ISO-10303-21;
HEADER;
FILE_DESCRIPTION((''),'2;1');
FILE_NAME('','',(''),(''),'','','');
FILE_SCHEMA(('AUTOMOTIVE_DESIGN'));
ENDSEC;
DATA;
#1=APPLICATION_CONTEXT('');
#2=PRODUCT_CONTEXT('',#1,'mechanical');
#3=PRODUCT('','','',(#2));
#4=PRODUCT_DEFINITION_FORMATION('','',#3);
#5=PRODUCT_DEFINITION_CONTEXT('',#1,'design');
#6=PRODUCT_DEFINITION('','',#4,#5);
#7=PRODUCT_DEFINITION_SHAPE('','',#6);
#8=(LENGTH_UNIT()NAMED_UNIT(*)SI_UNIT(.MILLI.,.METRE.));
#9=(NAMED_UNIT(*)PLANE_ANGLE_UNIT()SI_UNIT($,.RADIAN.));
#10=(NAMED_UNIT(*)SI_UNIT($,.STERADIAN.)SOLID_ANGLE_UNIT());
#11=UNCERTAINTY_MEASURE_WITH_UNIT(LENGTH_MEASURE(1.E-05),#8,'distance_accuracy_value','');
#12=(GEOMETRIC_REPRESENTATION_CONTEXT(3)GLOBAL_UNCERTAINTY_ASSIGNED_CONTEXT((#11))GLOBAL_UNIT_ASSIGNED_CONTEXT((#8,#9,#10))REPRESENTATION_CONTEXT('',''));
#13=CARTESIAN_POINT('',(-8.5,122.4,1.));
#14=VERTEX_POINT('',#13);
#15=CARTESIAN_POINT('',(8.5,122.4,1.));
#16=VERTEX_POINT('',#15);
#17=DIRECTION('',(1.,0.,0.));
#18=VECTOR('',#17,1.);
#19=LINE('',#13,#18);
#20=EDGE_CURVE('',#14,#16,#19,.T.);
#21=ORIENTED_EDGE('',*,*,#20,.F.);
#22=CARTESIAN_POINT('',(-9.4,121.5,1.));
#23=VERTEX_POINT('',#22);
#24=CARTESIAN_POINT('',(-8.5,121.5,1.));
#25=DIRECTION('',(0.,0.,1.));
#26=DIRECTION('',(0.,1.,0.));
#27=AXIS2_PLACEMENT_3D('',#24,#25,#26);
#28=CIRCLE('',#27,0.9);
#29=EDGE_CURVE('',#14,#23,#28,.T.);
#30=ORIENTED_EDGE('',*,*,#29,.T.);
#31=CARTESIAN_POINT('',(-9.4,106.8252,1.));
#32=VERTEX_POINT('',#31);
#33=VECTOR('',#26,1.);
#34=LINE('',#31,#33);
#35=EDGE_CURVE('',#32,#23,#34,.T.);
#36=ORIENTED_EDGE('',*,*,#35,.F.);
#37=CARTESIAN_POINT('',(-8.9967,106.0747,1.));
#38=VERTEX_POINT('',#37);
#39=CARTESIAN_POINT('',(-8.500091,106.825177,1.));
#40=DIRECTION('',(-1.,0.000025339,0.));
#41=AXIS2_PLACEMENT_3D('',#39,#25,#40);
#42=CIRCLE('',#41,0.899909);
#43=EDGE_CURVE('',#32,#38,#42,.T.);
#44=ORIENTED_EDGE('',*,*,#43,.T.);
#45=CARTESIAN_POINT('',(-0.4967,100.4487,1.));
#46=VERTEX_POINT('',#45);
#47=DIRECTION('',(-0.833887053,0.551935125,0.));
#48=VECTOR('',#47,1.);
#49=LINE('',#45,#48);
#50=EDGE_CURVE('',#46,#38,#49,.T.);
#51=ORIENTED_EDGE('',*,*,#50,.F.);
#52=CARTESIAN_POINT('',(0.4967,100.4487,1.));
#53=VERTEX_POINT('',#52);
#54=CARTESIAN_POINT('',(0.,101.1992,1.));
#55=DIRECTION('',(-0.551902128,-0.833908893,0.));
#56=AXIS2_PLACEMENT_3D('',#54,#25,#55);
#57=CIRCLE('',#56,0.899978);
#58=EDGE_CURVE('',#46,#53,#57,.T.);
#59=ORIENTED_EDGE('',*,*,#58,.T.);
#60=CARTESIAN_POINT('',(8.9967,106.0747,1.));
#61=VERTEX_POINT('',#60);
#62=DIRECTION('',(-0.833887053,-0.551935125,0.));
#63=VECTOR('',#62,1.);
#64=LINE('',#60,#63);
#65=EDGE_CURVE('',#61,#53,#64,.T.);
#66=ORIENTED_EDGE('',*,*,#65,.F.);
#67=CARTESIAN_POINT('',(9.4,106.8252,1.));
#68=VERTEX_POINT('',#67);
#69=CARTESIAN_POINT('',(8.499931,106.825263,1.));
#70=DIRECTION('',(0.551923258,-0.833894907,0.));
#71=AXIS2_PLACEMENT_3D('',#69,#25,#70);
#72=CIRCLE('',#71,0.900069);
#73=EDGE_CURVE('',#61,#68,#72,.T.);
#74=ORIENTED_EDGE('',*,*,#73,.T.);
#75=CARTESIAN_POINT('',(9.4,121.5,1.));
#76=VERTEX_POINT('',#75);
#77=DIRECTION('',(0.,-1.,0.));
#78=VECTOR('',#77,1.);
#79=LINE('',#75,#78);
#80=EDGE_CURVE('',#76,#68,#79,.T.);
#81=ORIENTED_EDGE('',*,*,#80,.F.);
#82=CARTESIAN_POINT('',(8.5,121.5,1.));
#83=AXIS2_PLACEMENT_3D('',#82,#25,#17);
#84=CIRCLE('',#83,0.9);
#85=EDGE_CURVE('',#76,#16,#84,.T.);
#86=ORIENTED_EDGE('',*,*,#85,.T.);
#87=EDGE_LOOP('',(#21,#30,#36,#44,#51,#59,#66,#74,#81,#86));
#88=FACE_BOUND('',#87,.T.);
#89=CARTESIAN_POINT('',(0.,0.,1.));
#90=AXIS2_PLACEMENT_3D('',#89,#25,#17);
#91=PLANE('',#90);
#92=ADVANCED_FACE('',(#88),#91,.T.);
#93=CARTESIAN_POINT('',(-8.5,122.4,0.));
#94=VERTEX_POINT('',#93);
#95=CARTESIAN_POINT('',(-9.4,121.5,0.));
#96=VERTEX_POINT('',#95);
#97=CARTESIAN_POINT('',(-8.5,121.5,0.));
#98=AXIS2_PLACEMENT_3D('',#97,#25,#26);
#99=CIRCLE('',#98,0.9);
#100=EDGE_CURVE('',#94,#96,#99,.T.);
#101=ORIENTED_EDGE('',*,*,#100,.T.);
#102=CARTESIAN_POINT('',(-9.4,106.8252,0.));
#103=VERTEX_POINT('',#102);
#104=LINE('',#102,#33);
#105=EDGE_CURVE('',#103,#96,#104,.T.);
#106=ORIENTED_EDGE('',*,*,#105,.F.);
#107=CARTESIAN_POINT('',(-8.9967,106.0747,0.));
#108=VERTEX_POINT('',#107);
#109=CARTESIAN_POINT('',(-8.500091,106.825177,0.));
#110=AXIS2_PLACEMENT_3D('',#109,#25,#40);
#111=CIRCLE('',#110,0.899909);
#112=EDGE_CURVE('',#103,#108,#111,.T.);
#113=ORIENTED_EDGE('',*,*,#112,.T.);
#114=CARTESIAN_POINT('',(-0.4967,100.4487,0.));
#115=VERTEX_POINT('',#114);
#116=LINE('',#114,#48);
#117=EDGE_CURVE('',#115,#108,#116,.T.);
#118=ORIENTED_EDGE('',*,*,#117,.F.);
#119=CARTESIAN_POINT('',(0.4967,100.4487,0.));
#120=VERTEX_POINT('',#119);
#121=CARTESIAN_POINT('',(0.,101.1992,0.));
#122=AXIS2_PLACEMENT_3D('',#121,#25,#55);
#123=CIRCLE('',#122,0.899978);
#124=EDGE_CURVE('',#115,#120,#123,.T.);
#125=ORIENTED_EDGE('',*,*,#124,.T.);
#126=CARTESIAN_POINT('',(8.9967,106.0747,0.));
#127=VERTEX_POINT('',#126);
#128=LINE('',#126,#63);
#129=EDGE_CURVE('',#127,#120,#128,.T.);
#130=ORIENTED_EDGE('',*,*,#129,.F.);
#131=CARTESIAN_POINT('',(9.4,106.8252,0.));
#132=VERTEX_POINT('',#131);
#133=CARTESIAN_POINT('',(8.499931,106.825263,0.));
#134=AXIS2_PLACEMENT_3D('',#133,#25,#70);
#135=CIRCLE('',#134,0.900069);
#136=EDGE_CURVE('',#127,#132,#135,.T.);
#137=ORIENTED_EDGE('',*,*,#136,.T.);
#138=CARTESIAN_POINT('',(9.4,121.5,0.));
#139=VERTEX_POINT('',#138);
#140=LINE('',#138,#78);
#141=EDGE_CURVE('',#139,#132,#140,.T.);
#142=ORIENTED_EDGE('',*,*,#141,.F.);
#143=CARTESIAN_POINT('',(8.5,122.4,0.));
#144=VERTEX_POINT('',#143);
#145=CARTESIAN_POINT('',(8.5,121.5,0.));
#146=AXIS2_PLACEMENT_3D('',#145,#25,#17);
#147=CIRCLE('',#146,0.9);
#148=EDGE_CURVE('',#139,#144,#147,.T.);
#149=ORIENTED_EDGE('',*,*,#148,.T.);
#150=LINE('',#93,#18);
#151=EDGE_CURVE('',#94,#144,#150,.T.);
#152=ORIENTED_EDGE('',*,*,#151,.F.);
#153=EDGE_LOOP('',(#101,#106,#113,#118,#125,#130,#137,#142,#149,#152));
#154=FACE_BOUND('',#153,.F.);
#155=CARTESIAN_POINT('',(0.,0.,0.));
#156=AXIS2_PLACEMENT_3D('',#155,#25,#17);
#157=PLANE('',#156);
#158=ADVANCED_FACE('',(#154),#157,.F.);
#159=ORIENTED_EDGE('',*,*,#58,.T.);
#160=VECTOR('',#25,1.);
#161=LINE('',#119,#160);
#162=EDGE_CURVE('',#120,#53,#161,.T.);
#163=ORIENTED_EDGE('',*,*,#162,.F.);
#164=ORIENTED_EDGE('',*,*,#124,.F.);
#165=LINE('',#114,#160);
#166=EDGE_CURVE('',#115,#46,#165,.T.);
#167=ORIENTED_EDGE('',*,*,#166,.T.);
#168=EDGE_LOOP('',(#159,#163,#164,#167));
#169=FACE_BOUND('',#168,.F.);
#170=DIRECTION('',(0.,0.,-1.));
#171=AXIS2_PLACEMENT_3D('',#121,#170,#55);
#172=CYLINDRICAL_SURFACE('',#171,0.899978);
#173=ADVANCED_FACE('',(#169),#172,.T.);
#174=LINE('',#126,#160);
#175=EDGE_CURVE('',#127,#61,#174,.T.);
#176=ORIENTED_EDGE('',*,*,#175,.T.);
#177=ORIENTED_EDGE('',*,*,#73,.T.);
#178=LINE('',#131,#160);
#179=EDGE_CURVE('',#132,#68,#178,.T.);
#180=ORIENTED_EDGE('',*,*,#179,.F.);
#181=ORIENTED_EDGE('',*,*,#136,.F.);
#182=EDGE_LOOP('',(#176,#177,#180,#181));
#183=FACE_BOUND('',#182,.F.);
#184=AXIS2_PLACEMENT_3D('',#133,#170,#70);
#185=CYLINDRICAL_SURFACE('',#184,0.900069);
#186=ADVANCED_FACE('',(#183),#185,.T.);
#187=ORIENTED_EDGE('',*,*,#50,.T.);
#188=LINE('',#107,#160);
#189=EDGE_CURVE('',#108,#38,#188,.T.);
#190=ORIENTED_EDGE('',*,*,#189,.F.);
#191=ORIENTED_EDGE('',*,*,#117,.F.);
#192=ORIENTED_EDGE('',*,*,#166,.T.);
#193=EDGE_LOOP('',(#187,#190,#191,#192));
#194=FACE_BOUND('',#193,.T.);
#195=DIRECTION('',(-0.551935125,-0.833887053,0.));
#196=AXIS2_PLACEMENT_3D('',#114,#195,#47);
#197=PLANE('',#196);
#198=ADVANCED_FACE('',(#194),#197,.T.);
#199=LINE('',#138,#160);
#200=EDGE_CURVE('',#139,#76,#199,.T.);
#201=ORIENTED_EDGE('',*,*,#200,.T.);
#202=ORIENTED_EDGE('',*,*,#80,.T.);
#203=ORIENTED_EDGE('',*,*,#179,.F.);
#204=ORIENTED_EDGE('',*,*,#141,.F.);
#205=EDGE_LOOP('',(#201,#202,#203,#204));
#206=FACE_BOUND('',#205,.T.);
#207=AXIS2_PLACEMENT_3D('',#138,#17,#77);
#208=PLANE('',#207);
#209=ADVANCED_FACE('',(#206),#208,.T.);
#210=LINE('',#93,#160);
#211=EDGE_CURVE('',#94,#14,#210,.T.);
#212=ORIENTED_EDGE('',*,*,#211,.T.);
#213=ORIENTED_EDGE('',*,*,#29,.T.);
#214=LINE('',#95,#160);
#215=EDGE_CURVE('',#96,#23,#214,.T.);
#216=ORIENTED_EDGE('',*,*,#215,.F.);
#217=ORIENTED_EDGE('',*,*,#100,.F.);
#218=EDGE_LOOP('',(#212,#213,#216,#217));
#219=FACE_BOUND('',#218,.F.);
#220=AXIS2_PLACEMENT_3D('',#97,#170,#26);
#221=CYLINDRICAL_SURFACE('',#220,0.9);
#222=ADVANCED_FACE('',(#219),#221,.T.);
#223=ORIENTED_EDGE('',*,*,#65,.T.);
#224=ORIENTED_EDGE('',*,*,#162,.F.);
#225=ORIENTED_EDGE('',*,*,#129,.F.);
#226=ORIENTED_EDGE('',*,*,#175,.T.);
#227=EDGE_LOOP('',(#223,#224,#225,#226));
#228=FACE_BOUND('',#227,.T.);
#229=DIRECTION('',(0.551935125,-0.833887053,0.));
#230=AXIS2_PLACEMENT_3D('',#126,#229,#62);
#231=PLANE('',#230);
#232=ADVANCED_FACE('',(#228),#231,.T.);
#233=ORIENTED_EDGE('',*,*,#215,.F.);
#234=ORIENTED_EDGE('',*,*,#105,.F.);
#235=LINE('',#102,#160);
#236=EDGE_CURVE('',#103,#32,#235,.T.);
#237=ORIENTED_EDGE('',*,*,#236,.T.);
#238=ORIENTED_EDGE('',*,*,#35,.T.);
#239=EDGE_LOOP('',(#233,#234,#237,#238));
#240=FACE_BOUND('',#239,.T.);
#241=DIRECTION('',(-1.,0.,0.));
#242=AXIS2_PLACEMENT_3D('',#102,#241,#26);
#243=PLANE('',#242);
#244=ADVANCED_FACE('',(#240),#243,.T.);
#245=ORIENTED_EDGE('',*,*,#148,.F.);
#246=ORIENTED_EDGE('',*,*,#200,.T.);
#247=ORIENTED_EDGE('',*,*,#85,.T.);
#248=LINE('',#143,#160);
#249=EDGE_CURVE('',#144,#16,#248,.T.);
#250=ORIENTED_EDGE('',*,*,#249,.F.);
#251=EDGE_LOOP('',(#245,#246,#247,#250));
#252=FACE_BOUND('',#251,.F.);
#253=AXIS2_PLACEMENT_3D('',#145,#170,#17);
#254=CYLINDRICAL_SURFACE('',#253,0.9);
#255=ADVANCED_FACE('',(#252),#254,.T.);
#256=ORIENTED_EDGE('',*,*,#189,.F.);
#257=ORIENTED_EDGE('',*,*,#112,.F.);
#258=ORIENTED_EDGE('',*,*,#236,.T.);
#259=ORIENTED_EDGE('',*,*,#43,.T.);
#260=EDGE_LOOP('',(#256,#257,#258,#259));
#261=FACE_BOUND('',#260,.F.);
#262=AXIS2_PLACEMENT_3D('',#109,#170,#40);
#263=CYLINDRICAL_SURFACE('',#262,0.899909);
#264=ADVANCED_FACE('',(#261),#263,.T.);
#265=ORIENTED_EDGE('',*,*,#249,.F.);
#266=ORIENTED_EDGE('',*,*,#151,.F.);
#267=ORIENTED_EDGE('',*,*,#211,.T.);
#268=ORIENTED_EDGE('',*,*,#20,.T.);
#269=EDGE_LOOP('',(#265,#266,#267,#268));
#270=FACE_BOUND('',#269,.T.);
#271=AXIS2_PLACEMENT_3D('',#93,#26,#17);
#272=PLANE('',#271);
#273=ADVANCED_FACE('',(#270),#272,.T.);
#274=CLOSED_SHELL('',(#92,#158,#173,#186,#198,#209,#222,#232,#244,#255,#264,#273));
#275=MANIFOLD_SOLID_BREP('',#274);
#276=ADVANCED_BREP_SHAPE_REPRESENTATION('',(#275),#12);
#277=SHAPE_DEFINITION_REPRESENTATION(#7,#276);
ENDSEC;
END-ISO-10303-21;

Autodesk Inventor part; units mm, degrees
ref_plane "YZ Plane" through (0, 0, 0) normal (1, 0, 0) x (0, 1, 0)
ref_plane "XZ Plane" through (0, 0, 0) normal (0, 1, 0) x (-1, 0, 0)
ref_plane "XY Plane" through (0, 0, 0) normal (0, 0, 1) x (1, 0, 0)
ref_plane "Arbeitsebene1" through (0, 0, 0) normal (0, 0, 1) x (1, 0, 0)
sketch "Skizze1" plane through (0, 0, 0) normal (0, 0, 1) x (1, 0, 0)
  line L0 (9.1071, 105.908) -> (0.6071, 100.2819) construction
  arc A0 (9.1071, 105.908) -> (9.6, 106.8252) centre (8.5, 106.8252) ccw construction
  line L1 (9.6, 121.5) -> (9.6, 106.8252) construction
  arc A1 (9.6, 121.5) -> (8.5, 122.6) centre (8.5, 121.5) ccw construction
  line L2 (-8.5, 122.6) -> (8.5, 122.6) construction
  arc A2 (-8.5, 122.6) -> (-9.6, 121.5) centre (-8.5, 121.5) ccw construction
  line L3 (-9.6, 106.8252) -> (-9.6, 121.5) construction
  arc A3 (-9.6, 106.8252) -> (-9.1071, 105.908) centre (-8.5, 106.8252) ccw construction
  line L4 (-0.6071, 100.2819) -> (-9.1071, 105.908) construction
  arc A4 (-0.6071, 100.2819) -> (0.6071, 100.2819) centre (0, 101.1992) ccw construction
  circle A5 centre (5.6569, 118.6569) radius 1.6 construction
  circle A6 centre (5.6569, 107.3431) radius 1.6 construction
  circle A7 centre (-5.6569, 107.3431) radius 1.6 construction
  circle A8 centre (-5.6569, 118.6569) radius 1.6 construction
  circle A9 centre (0, 113) radius 3 construction
  arc A10 (-8.5, 122.4) -> (-9.4, 121.5) centre (-8.5, 121.5) ccw
  line L5 (-8.5, 122.4) -> (8.5, 122.4)
  arc A11 (9.4, 121.5) -> (8.5, 122.4) centre (8.5, 121.5) ccw
  line L6 (9.4, 121.5) -> (9.4, 106.8252)
  arc A12 (8.9967, 106.0747) -> (9.4, 106.8252) centre (8.5, 106.8252) ccw
  line L7 (8.9967, 106.0747) -> (0.4967, 100.4487)
  arc A13 (-0.4967, 100.4487) -> (0.4967, 100.4487) centre (0, 101.1992) ccw
  line L8 (-0.4967, 100.4487) -> (-8.9967, 106.0747)
  arc A14 (-9.4, 106.8252) -> (-8.9967, 106.0747) centre (-8.5, 106.8252) ccw
  line L9 (-9.4, 106.8252) -> (-9.4, 121.5)
  point P0 (0, 0)
  dimension "d2" = 0
  dimension "d0" = 0.2
extrude "Extrusion1" add sketch "Skizze1" along normal blind 1
properties part number "Cover_Robot_Motor_Shoulder"
